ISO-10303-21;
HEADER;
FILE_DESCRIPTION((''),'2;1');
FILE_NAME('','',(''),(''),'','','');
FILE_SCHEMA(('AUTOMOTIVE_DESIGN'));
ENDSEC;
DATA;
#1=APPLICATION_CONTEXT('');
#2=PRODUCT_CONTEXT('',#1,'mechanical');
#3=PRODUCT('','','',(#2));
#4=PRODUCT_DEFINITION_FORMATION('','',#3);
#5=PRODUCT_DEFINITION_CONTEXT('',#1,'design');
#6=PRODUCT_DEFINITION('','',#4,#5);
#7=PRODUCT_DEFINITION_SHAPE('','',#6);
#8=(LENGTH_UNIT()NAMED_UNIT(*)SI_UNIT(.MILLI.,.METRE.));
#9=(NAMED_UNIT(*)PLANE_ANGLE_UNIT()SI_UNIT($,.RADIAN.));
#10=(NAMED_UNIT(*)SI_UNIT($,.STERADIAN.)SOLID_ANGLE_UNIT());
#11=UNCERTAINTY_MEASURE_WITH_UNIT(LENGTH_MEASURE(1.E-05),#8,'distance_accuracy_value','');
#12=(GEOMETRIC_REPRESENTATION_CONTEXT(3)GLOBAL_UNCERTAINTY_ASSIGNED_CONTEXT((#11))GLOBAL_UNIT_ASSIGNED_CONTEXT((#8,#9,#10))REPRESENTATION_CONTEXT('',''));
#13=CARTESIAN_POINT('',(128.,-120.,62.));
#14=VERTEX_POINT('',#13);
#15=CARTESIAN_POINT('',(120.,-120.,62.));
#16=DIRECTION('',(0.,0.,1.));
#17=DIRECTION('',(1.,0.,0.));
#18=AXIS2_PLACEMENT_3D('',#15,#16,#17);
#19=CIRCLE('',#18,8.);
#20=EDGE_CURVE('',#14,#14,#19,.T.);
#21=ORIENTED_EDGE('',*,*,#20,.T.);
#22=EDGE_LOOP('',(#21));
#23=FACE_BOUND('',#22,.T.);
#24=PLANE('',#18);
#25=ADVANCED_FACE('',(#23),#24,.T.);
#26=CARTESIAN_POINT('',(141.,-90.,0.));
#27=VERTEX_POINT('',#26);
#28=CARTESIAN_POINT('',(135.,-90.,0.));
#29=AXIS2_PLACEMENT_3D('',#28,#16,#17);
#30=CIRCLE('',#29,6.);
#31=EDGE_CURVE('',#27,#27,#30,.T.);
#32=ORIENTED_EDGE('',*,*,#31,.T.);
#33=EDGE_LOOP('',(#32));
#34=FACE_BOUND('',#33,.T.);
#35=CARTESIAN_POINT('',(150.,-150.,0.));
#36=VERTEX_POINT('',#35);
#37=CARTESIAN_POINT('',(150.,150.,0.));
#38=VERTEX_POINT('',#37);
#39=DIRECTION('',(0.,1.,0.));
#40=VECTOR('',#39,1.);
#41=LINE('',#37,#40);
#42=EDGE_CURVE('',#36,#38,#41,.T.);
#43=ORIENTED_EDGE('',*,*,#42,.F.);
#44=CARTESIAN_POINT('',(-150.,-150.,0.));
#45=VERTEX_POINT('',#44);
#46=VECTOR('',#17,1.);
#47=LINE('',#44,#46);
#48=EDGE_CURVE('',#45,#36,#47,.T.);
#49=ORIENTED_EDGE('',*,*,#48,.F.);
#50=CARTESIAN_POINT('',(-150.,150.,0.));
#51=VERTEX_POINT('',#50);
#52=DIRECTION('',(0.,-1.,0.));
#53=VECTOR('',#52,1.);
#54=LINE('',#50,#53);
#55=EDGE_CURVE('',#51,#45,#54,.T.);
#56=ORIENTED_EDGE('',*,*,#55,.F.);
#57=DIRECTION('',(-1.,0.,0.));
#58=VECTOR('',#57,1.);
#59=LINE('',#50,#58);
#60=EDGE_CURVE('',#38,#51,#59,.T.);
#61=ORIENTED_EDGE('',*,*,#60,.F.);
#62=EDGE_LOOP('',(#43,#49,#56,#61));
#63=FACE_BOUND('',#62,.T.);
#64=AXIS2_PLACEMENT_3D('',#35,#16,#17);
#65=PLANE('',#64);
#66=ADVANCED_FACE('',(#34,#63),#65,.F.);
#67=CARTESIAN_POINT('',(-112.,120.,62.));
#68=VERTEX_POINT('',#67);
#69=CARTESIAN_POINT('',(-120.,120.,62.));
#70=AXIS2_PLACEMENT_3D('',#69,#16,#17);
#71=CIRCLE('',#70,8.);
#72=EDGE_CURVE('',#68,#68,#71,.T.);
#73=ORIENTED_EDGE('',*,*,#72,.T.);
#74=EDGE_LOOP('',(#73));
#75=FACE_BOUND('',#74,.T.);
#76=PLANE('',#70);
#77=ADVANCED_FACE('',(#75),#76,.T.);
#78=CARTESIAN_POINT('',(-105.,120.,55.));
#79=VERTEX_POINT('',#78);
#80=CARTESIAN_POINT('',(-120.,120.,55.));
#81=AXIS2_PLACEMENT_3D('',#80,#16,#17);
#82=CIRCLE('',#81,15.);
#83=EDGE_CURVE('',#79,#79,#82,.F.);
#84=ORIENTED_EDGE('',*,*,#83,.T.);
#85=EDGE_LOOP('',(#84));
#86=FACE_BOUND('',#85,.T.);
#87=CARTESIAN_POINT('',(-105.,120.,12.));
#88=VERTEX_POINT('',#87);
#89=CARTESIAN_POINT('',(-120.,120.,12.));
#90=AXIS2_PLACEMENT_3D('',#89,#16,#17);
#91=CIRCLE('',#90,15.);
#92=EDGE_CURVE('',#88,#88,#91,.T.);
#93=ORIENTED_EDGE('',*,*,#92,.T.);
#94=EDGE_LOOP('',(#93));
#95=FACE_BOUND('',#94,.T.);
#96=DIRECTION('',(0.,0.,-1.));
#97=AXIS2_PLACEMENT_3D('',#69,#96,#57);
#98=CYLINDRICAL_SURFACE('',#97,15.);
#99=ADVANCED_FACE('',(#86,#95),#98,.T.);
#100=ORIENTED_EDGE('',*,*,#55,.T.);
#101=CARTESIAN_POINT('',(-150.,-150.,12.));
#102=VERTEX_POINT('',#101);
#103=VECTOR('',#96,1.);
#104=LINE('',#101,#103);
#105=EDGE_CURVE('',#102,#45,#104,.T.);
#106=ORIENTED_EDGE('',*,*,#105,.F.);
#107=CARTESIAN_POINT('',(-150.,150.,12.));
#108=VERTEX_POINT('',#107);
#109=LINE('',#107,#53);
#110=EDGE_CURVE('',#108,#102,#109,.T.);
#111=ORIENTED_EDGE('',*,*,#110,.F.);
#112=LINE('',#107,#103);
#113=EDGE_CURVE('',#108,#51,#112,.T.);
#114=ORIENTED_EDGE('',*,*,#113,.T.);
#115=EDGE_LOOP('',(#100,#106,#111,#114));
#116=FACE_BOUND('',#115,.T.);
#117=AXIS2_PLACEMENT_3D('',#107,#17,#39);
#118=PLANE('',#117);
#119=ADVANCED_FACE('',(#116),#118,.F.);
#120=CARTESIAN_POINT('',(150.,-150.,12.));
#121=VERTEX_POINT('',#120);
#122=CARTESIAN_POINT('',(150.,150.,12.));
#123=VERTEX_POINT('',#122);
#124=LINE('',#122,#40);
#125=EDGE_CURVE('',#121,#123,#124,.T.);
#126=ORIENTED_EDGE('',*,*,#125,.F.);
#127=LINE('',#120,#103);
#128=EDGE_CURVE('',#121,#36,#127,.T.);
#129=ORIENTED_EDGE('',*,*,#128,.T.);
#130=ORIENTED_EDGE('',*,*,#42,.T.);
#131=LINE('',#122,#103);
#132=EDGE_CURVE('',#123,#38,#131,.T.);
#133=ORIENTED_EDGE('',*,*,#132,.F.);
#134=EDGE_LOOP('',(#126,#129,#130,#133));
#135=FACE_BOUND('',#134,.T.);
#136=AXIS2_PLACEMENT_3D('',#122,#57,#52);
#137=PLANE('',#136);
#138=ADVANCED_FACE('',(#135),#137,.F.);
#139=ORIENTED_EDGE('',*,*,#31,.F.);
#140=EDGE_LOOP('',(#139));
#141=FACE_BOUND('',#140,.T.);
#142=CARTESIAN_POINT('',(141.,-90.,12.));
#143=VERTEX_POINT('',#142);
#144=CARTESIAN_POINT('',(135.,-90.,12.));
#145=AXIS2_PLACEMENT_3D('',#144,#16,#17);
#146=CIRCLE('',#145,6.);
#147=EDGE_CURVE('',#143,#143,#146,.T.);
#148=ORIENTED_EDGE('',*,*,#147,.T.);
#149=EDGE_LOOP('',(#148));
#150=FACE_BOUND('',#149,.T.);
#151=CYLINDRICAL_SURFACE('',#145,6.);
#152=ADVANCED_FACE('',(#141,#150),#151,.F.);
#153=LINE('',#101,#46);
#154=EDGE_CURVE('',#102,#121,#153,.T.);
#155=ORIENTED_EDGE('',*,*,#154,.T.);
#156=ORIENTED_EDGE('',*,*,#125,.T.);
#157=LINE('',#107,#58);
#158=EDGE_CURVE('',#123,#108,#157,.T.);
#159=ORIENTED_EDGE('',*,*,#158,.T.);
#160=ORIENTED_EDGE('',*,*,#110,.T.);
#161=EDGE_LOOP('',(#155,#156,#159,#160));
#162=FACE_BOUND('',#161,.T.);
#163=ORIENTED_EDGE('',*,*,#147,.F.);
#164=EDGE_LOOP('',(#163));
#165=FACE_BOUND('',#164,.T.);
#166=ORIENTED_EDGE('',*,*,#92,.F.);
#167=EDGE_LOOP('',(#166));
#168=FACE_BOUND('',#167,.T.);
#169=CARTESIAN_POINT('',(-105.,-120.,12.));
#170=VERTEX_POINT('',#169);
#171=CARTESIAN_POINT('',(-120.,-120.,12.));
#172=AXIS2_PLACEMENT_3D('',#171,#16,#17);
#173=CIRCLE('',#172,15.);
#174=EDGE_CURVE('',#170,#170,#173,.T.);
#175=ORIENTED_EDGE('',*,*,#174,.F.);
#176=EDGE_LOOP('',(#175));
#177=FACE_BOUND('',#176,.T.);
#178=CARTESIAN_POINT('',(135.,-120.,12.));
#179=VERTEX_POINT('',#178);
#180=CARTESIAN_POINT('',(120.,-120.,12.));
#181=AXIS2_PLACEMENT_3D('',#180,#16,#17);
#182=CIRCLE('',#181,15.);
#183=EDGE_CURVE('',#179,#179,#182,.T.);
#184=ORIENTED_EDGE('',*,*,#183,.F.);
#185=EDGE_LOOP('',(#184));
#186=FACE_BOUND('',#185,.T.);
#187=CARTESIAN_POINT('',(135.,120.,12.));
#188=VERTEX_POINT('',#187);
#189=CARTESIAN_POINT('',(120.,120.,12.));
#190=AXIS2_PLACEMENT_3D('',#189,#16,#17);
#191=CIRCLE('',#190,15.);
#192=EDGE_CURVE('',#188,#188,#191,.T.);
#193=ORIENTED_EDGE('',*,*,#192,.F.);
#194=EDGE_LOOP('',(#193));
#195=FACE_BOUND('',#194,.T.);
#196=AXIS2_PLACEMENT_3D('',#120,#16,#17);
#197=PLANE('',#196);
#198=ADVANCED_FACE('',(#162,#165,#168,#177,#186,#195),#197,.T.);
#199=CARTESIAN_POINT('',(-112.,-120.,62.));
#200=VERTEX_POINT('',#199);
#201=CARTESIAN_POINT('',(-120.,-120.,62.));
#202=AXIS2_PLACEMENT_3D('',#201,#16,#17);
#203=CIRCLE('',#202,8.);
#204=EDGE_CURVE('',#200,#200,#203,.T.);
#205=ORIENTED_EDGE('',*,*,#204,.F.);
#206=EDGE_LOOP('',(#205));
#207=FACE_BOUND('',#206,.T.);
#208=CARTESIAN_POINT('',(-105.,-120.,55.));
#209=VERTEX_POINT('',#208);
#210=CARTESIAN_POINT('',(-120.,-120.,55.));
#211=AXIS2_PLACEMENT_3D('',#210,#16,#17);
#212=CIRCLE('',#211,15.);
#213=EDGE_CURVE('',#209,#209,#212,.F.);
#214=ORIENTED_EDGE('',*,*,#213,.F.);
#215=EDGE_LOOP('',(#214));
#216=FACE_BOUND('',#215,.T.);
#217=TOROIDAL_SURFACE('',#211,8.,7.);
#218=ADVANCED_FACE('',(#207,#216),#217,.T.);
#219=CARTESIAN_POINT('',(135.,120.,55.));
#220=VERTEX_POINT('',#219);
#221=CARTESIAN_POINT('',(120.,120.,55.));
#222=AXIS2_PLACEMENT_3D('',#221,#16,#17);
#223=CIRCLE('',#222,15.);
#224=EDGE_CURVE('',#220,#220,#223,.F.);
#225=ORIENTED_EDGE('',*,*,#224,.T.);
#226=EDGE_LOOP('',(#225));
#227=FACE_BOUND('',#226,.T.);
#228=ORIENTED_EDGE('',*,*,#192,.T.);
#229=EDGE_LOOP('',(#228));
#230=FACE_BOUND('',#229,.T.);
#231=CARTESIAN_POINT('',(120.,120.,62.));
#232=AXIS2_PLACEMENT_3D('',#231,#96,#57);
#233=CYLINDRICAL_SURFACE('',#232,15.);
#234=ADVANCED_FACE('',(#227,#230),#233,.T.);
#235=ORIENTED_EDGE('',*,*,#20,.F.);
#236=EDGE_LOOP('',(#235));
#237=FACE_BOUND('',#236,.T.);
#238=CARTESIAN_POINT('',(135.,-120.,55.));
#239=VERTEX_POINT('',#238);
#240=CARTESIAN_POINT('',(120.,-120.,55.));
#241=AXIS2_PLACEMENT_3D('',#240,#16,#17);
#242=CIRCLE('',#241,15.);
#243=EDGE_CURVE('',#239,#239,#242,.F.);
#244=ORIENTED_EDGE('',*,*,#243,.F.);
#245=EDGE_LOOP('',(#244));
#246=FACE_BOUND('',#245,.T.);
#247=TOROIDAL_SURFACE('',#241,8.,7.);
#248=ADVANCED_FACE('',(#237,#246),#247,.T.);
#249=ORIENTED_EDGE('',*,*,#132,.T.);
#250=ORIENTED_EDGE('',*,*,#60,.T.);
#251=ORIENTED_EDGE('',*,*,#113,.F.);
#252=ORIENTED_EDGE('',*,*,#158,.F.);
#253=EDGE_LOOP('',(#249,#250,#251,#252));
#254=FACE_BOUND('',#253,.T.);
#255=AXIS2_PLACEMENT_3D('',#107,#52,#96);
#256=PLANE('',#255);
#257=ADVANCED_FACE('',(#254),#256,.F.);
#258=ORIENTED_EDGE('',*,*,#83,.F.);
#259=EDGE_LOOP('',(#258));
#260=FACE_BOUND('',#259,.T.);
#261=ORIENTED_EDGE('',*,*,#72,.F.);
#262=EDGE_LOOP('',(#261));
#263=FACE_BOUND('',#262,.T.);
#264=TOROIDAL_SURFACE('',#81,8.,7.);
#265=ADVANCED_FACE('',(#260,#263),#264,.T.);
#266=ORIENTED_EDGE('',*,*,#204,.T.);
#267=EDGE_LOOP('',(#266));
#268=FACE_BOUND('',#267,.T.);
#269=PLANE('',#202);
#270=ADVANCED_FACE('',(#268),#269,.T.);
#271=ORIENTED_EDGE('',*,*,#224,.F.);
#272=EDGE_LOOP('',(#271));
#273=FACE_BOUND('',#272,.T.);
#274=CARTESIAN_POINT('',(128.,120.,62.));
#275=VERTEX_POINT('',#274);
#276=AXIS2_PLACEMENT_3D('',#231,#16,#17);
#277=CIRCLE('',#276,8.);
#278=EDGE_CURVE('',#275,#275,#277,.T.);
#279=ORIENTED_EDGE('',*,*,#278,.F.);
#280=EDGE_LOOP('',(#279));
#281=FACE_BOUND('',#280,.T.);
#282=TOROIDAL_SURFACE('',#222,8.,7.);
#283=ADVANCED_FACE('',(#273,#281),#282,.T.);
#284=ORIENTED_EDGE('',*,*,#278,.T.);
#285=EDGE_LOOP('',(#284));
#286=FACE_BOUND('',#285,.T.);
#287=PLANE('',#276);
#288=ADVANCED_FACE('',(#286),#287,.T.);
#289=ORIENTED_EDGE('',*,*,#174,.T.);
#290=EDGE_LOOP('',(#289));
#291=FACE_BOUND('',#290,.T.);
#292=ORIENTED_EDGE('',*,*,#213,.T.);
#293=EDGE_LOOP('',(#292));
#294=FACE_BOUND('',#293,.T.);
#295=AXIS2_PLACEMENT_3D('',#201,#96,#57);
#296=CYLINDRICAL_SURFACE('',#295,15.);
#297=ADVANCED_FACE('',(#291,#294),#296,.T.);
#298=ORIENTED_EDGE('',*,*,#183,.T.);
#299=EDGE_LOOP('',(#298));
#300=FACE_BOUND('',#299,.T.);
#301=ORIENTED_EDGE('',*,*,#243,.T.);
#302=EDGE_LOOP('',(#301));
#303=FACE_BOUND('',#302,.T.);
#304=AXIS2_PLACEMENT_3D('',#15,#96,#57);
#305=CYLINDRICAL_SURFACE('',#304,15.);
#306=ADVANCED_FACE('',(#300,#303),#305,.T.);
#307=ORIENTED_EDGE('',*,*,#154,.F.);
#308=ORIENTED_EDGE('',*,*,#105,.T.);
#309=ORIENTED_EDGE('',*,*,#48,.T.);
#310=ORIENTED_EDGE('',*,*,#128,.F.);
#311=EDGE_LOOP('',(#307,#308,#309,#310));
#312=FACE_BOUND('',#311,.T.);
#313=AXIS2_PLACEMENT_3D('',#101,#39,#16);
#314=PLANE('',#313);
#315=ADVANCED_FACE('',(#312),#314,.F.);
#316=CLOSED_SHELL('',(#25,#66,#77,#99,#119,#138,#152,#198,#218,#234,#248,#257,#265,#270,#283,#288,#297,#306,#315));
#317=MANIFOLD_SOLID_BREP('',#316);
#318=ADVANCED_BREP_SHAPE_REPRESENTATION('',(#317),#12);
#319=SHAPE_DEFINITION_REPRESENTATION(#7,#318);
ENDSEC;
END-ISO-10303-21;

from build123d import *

# Parameters (mm, degrees)
SKETCH2_W                  = 300
SKETCH2_H                  = 300
BOSS_EXTRUDE1_DEPTH        = 12
SKETCH3_R                  = 15
BOSS_EXTRUDE2_DEPTH        = 50
FILLET1_R                  = 7
F_12_0_12_DIAMETER_HOLE1_D = 12


with BuildPart() as part:
    # Sketch2 → Boss-Extrude1 (new body)
    with BuildSketch(Plane.XY):
        Rectangle(SKETCH2_W, SKETCH2_H)
    extrude(amount=BOSS_EXTRUDE1_DEPTH)

    # Sketch3 → Boss-Extrude2 (add)
    with BuildSketch(Plane.XY.offset(12)):
        with Locations((120, -120)):
            Circle(SKETCH3_R)
        with Locations((-120, -120)):
            Circle(SKETCH3_R)
        with Locations((-120, 120)):
            Circle(SKETCH3_R)
        with Locations((120, 120)):
            Circle(SKETCH3_R)
    extrude(amount=BOSS_EXTRUDE2_DEPTH)

    # Fillet1
    fillet1_edges = [part.edges().sort_by_distance(p)[0] for p in [
        (-135, -120, 62),
        (105, -120, 62),
        (-135, 120, 62),
        (105, 120, 62),
    ]]
    fillet(fillet1_edges, radius=FILLET1_R)

    # Ø12.0 (12) Diameter Hole1 (through all)
    with Locations(Plane.XY.offset(12)):
        with Locations((135, -90)):
            Hole(F_12_0_12_DIAMETER_HOLE1_D / 2)


solid = part.part
